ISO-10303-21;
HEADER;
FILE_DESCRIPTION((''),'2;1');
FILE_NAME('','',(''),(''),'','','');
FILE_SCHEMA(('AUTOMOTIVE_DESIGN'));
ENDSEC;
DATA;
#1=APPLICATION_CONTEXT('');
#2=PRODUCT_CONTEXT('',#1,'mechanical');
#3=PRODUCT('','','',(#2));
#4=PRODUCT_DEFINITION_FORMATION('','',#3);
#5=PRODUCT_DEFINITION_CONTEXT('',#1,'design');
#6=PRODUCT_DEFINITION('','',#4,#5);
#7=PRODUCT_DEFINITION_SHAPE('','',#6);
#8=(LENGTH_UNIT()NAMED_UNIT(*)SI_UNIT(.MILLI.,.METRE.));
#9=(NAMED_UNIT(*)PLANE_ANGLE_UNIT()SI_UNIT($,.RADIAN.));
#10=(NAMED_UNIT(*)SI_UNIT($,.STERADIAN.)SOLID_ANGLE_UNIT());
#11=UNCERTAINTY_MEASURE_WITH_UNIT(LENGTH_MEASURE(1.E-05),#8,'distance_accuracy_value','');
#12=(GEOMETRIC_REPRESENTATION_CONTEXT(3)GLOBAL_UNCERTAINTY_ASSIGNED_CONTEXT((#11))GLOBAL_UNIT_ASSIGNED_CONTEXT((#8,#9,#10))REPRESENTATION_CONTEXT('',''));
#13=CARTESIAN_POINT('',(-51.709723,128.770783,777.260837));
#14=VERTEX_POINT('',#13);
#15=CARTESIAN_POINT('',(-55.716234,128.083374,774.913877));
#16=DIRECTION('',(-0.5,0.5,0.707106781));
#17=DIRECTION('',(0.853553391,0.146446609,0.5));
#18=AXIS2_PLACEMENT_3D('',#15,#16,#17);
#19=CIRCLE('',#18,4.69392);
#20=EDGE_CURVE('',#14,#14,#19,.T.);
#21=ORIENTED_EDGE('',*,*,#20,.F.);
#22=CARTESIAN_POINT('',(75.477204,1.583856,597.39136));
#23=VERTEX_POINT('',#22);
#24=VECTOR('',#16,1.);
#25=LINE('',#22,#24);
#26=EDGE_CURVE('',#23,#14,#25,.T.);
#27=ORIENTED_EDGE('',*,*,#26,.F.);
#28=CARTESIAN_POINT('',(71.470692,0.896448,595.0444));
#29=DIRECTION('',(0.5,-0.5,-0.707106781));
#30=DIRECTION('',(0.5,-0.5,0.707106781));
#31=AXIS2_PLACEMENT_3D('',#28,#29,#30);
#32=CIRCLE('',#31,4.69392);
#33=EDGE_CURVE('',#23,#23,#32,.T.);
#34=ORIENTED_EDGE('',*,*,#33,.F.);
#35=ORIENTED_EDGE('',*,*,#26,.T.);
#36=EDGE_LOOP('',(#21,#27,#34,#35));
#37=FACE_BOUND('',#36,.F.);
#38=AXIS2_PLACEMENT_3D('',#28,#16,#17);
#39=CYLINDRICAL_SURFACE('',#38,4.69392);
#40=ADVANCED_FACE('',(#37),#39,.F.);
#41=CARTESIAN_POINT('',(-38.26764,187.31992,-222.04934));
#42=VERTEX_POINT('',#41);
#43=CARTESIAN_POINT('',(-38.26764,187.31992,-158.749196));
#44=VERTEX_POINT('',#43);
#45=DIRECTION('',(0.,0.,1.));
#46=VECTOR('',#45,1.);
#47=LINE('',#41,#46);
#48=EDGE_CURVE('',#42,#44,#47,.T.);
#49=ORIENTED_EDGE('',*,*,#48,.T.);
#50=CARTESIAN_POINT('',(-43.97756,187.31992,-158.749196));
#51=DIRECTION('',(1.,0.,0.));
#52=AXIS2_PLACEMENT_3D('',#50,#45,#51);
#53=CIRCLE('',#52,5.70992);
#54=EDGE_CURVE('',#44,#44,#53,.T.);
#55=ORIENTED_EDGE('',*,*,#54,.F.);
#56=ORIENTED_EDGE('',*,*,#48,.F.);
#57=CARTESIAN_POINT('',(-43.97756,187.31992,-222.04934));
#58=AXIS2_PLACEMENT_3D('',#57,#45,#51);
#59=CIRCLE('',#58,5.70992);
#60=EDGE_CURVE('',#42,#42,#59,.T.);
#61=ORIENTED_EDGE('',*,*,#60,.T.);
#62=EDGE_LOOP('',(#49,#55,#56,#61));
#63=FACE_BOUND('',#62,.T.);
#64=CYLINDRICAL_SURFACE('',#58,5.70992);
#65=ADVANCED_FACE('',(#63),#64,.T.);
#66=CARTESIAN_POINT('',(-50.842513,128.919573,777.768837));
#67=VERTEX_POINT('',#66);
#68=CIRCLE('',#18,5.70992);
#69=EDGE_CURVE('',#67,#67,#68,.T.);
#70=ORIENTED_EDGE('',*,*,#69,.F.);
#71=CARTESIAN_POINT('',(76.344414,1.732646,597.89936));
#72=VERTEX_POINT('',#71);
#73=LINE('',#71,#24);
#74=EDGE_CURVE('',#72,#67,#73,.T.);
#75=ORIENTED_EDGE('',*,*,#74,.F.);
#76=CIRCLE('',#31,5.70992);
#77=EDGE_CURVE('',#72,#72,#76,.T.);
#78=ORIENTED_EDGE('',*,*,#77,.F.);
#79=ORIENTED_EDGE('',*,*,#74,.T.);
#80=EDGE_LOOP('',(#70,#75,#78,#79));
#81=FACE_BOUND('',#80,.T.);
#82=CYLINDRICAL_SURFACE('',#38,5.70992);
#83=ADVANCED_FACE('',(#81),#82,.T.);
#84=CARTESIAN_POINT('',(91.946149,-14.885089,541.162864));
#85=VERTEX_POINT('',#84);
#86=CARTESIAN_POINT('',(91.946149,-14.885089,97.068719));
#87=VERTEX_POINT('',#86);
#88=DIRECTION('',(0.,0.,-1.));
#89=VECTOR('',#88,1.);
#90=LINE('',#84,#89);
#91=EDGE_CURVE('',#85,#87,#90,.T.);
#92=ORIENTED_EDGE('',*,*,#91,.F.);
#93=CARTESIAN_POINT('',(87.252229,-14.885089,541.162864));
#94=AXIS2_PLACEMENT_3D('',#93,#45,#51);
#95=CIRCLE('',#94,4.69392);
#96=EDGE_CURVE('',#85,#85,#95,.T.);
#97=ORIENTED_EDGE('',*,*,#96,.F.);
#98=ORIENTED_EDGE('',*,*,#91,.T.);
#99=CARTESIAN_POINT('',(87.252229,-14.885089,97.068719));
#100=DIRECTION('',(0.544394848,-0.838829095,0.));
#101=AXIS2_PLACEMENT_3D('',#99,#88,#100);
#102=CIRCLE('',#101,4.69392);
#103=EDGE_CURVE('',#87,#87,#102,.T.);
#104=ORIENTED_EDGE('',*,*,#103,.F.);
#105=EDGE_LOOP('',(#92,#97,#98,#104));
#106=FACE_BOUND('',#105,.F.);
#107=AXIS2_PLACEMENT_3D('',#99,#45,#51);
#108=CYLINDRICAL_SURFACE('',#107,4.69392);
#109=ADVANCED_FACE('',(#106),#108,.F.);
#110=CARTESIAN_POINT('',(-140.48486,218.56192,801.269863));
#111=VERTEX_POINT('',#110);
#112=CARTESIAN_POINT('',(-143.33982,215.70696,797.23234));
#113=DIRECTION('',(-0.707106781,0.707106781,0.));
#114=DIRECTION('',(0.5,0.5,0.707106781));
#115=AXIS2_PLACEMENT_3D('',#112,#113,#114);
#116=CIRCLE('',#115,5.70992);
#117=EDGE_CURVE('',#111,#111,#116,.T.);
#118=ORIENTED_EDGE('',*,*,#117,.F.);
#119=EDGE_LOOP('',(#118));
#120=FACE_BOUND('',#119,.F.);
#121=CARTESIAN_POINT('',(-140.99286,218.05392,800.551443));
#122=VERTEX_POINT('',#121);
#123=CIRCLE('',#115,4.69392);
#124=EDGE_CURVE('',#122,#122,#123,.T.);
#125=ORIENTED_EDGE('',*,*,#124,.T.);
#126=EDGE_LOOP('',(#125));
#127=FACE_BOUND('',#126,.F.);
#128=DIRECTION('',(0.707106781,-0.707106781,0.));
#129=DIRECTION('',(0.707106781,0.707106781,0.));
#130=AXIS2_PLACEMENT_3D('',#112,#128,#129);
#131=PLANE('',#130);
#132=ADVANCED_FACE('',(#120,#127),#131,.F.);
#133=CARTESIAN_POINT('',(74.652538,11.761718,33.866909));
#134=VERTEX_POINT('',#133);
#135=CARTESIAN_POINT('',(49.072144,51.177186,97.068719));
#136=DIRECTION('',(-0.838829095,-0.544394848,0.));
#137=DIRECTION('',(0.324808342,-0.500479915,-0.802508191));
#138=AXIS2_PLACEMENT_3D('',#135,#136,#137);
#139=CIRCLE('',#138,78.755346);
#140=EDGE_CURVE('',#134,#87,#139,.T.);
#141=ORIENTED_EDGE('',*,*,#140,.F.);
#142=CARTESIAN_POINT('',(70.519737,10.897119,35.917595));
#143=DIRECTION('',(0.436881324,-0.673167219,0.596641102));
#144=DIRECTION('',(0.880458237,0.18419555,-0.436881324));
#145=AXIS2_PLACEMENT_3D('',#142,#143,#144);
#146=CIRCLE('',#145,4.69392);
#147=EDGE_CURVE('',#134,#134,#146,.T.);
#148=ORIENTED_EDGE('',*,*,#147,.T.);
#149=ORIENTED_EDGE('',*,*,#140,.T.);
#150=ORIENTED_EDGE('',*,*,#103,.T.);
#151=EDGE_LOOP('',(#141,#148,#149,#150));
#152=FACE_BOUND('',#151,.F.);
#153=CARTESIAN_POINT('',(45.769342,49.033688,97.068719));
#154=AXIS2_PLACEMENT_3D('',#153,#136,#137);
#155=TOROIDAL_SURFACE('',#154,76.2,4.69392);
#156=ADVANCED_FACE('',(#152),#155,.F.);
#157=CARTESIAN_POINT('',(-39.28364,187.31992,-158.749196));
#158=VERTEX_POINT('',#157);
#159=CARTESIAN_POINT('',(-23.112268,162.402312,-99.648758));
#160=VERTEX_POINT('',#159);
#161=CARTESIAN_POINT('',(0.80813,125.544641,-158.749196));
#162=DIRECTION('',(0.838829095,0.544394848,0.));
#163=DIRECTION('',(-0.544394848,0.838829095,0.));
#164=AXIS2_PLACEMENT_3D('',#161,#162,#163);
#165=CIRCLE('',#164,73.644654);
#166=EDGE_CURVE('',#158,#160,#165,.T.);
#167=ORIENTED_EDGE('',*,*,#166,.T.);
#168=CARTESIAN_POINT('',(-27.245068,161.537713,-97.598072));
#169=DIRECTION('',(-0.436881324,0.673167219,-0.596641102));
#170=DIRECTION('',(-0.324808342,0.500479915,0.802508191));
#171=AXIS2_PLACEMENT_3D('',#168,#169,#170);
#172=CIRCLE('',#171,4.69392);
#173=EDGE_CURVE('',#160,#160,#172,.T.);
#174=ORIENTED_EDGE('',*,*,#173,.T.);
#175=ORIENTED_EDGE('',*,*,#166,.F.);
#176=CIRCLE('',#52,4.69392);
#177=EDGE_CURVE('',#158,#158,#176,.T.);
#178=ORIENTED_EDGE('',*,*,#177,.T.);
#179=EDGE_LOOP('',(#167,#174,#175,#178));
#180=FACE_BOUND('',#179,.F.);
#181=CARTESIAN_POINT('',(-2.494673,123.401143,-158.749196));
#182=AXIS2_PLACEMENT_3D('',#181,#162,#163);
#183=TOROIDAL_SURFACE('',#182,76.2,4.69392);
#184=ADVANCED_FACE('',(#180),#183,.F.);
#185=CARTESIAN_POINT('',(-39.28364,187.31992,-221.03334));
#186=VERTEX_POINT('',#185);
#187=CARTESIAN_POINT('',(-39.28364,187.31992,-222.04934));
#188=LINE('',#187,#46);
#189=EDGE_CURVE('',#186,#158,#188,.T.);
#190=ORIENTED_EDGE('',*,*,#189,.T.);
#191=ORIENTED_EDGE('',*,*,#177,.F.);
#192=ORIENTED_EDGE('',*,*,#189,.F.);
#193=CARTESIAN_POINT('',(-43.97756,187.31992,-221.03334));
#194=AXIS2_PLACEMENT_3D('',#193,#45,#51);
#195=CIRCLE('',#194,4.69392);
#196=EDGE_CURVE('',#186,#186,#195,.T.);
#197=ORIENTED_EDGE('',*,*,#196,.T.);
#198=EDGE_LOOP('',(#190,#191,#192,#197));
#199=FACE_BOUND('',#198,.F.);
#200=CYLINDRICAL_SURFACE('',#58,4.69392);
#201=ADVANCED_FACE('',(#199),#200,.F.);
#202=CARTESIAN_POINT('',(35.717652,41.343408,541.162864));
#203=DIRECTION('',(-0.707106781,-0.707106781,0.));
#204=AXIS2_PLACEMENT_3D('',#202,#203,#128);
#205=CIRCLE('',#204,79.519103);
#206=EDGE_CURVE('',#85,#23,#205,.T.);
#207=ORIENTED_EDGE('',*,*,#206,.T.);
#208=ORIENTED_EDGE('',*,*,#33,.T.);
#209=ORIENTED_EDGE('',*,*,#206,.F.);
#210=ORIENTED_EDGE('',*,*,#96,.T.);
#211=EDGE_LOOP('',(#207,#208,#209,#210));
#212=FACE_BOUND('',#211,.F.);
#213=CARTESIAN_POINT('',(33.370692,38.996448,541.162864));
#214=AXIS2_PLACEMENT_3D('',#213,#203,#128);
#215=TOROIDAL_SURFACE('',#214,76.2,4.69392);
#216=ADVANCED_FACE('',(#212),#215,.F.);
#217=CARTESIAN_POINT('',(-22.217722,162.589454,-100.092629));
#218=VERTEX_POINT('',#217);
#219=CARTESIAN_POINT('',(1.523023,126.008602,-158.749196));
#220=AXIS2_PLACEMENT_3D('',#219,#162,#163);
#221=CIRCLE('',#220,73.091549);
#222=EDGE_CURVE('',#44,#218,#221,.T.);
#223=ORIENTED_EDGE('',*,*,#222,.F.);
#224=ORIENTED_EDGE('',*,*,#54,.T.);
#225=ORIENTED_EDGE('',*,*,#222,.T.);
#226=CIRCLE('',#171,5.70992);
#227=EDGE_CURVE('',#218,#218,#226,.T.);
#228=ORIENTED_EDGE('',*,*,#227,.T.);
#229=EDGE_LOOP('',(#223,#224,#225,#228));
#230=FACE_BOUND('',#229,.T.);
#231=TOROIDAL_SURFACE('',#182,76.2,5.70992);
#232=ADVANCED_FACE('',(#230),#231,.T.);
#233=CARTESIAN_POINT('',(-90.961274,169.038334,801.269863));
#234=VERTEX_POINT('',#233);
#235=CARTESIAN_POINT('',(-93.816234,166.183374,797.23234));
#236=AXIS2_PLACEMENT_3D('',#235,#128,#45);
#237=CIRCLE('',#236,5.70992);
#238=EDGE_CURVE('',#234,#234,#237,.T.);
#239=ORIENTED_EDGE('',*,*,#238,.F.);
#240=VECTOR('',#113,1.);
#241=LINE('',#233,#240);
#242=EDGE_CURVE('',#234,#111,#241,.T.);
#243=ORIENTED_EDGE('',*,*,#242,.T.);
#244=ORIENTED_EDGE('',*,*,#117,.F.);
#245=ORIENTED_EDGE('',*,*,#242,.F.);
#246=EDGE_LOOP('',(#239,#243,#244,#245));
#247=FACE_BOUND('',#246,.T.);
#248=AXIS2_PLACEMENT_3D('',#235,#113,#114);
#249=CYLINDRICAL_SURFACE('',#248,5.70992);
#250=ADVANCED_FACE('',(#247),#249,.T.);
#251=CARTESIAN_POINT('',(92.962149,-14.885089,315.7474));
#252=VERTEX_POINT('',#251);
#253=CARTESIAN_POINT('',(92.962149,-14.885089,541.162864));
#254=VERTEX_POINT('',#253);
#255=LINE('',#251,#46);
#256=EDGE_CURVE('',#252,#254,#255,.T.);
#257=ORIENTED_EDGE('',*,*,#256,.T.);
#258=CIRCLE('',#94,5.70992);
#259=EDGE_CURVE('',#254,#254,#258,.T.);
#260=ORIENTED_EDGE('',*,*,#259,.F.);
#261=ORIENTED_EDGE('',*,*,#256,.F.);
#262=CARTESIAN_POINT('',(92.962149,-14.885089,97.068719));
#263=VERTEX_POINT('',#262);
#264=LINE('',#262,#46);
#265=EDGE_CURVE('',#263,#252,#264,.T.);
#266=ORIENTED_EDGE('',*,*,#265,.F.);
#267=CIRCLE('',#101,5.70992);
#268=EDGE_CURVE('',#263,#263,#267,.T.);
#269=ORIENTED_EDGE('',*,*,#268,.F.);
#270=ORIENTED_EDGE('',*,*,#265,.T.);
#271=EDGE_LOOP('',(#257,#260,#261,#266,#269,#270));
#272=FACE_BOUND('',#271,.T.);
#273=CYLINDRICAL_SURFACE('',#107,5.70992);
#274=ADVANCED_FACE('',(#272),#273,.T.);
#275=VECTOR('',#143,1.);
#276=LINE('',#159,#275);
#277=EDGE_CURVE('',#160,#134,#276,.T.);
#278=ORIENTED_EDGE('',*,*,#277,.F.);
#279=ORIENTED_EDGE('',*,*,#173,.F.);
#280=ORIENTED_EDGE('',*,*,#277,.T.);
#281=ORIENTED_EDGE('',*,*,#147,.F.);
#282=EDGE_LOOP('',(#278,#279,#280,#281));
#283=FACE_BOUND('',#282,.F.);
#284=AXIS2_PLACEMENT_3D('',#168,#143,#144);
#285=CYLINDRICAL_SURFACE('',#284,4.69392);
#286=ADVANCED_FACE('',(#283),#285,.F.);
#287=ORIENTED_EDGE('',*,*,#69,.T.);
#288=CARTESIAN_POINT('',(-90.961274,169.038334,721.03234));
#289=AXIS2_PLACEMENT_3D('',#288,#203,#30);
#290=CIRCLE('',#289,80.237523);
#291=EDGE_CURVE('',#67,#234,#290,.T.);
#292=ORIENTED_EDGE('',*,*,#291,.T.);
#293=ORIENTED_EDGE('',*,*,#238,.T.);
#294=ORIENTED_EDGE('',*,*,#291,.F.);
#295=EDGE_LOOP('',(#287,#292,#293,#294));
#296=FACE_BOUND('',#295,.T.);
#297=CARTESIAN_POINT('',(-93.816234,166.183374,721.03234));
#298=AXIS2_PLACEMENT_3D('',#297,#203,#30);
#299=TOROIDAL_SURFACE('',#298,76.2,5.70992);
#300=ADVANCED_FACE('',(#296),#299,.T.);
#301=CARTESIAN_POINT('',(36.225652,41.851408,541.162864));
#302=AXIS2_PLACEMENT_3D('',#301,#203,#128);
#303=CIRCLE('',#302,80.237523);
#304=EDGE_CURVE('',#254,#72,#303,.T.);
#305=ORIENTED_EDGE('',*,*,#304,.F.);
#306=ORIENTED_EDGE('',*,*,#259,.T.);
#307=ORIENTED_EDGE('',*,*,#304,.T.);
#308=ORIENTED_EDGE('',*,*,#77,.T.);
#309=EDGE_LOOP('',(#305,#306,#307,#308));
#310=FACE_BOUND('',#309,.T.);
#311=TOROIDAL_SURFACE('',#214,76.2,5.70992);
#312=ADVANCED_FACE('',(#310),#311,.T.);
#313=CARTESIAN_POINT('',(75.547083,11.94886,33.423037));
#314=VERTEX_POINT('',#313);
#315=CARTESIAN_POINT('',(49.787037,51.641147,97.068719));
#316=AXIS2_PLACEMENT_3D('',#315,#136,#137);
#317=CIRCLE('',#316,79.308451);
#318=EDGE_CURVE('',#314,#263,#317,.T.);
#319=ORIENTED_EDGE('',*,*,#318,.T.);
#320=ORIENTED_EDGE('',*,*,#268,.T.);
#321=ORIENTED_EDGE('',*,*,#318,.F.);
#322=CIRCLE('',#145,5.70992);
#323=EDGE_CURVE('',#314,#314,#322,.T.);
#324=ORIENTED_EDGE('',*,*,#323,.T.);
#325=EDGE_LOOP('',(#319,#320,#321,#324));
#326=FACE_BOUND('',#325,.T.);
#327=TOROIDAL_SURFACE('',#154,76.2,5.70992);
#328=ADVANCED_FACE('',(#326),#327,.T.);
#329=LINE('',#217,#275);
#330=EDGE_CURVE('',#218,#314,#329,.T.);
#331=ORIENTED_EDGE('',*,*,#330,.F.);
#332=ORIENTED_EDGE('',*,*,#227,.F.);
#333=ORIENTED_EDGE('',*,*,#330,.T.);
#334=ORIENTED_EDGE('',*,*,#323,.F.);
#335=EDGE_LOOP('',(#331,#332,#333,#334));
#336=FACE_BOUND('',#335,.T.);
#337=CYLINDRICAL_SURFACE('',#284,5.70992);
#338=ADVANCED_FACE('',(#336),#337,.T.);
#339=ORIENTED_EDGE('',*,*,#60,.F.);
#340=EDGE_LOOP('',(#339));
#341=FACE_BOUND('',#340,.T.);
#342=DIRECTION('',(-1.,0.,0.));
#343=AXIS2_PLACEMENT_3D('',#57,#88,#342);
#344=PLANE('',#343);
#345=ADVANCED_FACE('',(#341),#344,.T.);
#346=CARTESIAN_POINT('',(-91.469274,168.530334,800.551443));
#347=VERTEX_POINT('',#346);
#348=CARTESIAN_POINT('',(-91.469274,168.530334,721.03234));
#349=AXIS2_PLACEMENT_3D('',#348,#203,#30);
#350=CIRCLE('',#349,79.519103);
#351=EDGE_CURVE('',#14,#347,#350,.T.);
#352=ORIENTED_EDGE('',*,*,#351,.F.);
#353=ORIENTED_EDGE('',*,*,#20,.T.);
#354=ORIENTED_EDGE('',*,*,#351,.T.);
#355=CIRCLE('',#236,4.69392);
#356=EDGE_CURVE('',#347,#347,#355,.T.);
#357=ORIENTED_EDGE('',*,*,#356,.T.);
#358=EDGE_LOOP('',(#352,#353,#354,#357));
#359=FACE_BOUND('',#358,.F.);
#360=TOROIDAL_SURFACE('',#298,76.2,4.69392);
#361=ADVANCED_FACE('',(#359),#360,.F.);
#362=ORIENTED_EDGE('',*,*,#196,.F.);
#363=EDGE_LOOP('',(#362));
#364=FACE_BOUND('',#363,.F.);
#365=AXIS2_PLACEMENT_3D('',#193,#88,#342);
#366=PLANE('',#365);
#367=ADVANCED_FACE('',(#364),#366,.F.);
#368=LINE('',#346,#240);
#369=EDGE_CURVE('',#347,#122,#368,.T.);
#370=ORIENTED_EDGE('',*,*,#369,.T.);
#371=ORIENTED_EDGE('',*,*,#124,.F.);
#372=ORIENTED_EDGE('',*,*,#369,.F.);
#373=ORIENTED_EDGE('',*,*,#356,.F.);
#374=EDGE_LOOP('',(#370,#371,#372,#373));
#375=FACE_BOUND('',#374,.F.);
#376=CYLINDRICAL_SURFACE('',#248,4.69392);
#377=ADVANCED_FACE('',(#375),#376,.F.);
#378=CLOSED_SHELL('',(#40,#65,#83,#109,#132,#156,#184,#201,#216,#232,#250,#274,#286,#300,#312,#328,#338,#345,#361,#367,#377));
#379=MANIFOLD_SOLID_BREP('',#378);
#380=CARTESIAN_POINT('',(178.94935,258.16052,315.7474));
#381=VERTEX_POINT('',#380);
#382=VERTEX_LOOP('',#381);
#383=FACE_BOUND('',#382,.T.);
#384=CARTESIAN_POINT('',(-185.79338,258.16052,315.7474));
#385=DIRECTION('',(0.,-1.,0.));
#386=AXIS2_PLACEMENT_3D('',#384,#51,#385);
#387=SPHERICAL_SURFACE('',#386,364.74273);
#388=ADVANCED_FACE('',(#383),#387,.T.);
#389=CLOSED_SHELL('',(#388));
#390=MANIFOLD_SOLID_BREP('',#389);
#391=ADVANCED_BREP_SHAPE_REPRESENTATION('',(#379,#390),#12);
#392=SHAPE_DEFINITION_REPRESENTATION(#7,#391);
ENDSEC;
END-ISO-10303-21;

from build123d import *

# Parameters (mm, degrees)
F11_R = 5.70992
F19_T = -1.016


with BuildPart() as f12:
    # F7 (on line) → F12 (revolve)
    with BuildSketch(Plane.XY.offset(315.7474)):
        with BuildLine():
            Line((-185.79338, 258.16052), (-550.53611, 258.16052))
            ThreePointArc((-550.53611, 258.16052), (-185.79338, -106.58221), (178.94935, 258.16052))
            Line((178.94935, 258.16052), (-185.79338, 258.16052))
        make_face()
    revolve(axis=Axis((-185.79338, 258.16052, 315.7474), (1, 0, 0)))


with BuildPart() as f18:
    # F18: sweep along a path in F16, F17, F14
    with BuildLine(Plane(origin=(54.5963177285, 35.4326694997, 0), x_dir=(-0.5443948477, 0.8388290945, 0), z_dir=(0.8388290945, 0.5443948477, 0))) as f18_path:
        Line((181.0705559581, -222.04934), (181.0705559581, -158.7491959035))
        ThreePointArc((181.0705559581, -158.7491959035), (172.9543306693, -124.5287397249), (150.3346078985, -97.5980717834))
    with BuildLine(Plane(origin=(54.5963177285, 35.4326694997, 0), x_dir=(-0.5443948477, 0.8388290945, 0), z_dir=(0.8388290945, 0.5443948477, 0))) as f18_path_2:
        Line((150.3346078985, -97.5980717834), (-29.2497615402, 35.9175948101))
        ThreePointArc((-29.2497615402, 35.9175948101), (-51.869484311, 62.8482627517), (-59.9857095998, 97.0687189303))
        Line((-59.9857095998, 97.0687189303), (-59.9857095998, 315.7474))
    with BuildLine(Plane(origin=(36.18357, 36.18357, 0), x_dir=(0.7071067812, -0.7071067812, 0), z_dir=(-0.7071067812, -0.7071067812, 0))) as f18_path_3:
        Line((72.2219901255, 315.7474), (72.2219901255, 541.1628635204))
        ThreePointArc((72.2219901255, 541.1628635204), (66.4216105029, 570.3233410667), (49.9035268519, 595.0444002469))
        Line((49.9035268519, 595.0444002469), (-129.9659496276, 774.9138767264))
        ThreePointArc((-129.9659496276, 774.9138767264), (-154.6870088078, 791.4319603774), (-183.847486354, 797.23234))
        Line((-183.847486354, 797.23234), (-253.8844129012, 797.23234))
    # F11 (on line) → F18 (sweep)
    with BuildSketch(Plane(origin=(0, 0, -222.04934), x_dir=(1, 0, 0), z_dir=(0, 0, -1))):
        with Locations((-43.97756, -187.31992)):
            Circle(F11_R)
    sweep(path=f18_path.line + f18_path_2.line + f18_path_3.line)

    # F19
    f19_openings = [f18.faces().sort_by_distance(p)[0] for p in [
        (-143.33982, 215.70696, 797.23234),
    ]]
    offset(amount=F19_T, openings=f19_openings)


solid = Compound([f12.part, f18.part])
